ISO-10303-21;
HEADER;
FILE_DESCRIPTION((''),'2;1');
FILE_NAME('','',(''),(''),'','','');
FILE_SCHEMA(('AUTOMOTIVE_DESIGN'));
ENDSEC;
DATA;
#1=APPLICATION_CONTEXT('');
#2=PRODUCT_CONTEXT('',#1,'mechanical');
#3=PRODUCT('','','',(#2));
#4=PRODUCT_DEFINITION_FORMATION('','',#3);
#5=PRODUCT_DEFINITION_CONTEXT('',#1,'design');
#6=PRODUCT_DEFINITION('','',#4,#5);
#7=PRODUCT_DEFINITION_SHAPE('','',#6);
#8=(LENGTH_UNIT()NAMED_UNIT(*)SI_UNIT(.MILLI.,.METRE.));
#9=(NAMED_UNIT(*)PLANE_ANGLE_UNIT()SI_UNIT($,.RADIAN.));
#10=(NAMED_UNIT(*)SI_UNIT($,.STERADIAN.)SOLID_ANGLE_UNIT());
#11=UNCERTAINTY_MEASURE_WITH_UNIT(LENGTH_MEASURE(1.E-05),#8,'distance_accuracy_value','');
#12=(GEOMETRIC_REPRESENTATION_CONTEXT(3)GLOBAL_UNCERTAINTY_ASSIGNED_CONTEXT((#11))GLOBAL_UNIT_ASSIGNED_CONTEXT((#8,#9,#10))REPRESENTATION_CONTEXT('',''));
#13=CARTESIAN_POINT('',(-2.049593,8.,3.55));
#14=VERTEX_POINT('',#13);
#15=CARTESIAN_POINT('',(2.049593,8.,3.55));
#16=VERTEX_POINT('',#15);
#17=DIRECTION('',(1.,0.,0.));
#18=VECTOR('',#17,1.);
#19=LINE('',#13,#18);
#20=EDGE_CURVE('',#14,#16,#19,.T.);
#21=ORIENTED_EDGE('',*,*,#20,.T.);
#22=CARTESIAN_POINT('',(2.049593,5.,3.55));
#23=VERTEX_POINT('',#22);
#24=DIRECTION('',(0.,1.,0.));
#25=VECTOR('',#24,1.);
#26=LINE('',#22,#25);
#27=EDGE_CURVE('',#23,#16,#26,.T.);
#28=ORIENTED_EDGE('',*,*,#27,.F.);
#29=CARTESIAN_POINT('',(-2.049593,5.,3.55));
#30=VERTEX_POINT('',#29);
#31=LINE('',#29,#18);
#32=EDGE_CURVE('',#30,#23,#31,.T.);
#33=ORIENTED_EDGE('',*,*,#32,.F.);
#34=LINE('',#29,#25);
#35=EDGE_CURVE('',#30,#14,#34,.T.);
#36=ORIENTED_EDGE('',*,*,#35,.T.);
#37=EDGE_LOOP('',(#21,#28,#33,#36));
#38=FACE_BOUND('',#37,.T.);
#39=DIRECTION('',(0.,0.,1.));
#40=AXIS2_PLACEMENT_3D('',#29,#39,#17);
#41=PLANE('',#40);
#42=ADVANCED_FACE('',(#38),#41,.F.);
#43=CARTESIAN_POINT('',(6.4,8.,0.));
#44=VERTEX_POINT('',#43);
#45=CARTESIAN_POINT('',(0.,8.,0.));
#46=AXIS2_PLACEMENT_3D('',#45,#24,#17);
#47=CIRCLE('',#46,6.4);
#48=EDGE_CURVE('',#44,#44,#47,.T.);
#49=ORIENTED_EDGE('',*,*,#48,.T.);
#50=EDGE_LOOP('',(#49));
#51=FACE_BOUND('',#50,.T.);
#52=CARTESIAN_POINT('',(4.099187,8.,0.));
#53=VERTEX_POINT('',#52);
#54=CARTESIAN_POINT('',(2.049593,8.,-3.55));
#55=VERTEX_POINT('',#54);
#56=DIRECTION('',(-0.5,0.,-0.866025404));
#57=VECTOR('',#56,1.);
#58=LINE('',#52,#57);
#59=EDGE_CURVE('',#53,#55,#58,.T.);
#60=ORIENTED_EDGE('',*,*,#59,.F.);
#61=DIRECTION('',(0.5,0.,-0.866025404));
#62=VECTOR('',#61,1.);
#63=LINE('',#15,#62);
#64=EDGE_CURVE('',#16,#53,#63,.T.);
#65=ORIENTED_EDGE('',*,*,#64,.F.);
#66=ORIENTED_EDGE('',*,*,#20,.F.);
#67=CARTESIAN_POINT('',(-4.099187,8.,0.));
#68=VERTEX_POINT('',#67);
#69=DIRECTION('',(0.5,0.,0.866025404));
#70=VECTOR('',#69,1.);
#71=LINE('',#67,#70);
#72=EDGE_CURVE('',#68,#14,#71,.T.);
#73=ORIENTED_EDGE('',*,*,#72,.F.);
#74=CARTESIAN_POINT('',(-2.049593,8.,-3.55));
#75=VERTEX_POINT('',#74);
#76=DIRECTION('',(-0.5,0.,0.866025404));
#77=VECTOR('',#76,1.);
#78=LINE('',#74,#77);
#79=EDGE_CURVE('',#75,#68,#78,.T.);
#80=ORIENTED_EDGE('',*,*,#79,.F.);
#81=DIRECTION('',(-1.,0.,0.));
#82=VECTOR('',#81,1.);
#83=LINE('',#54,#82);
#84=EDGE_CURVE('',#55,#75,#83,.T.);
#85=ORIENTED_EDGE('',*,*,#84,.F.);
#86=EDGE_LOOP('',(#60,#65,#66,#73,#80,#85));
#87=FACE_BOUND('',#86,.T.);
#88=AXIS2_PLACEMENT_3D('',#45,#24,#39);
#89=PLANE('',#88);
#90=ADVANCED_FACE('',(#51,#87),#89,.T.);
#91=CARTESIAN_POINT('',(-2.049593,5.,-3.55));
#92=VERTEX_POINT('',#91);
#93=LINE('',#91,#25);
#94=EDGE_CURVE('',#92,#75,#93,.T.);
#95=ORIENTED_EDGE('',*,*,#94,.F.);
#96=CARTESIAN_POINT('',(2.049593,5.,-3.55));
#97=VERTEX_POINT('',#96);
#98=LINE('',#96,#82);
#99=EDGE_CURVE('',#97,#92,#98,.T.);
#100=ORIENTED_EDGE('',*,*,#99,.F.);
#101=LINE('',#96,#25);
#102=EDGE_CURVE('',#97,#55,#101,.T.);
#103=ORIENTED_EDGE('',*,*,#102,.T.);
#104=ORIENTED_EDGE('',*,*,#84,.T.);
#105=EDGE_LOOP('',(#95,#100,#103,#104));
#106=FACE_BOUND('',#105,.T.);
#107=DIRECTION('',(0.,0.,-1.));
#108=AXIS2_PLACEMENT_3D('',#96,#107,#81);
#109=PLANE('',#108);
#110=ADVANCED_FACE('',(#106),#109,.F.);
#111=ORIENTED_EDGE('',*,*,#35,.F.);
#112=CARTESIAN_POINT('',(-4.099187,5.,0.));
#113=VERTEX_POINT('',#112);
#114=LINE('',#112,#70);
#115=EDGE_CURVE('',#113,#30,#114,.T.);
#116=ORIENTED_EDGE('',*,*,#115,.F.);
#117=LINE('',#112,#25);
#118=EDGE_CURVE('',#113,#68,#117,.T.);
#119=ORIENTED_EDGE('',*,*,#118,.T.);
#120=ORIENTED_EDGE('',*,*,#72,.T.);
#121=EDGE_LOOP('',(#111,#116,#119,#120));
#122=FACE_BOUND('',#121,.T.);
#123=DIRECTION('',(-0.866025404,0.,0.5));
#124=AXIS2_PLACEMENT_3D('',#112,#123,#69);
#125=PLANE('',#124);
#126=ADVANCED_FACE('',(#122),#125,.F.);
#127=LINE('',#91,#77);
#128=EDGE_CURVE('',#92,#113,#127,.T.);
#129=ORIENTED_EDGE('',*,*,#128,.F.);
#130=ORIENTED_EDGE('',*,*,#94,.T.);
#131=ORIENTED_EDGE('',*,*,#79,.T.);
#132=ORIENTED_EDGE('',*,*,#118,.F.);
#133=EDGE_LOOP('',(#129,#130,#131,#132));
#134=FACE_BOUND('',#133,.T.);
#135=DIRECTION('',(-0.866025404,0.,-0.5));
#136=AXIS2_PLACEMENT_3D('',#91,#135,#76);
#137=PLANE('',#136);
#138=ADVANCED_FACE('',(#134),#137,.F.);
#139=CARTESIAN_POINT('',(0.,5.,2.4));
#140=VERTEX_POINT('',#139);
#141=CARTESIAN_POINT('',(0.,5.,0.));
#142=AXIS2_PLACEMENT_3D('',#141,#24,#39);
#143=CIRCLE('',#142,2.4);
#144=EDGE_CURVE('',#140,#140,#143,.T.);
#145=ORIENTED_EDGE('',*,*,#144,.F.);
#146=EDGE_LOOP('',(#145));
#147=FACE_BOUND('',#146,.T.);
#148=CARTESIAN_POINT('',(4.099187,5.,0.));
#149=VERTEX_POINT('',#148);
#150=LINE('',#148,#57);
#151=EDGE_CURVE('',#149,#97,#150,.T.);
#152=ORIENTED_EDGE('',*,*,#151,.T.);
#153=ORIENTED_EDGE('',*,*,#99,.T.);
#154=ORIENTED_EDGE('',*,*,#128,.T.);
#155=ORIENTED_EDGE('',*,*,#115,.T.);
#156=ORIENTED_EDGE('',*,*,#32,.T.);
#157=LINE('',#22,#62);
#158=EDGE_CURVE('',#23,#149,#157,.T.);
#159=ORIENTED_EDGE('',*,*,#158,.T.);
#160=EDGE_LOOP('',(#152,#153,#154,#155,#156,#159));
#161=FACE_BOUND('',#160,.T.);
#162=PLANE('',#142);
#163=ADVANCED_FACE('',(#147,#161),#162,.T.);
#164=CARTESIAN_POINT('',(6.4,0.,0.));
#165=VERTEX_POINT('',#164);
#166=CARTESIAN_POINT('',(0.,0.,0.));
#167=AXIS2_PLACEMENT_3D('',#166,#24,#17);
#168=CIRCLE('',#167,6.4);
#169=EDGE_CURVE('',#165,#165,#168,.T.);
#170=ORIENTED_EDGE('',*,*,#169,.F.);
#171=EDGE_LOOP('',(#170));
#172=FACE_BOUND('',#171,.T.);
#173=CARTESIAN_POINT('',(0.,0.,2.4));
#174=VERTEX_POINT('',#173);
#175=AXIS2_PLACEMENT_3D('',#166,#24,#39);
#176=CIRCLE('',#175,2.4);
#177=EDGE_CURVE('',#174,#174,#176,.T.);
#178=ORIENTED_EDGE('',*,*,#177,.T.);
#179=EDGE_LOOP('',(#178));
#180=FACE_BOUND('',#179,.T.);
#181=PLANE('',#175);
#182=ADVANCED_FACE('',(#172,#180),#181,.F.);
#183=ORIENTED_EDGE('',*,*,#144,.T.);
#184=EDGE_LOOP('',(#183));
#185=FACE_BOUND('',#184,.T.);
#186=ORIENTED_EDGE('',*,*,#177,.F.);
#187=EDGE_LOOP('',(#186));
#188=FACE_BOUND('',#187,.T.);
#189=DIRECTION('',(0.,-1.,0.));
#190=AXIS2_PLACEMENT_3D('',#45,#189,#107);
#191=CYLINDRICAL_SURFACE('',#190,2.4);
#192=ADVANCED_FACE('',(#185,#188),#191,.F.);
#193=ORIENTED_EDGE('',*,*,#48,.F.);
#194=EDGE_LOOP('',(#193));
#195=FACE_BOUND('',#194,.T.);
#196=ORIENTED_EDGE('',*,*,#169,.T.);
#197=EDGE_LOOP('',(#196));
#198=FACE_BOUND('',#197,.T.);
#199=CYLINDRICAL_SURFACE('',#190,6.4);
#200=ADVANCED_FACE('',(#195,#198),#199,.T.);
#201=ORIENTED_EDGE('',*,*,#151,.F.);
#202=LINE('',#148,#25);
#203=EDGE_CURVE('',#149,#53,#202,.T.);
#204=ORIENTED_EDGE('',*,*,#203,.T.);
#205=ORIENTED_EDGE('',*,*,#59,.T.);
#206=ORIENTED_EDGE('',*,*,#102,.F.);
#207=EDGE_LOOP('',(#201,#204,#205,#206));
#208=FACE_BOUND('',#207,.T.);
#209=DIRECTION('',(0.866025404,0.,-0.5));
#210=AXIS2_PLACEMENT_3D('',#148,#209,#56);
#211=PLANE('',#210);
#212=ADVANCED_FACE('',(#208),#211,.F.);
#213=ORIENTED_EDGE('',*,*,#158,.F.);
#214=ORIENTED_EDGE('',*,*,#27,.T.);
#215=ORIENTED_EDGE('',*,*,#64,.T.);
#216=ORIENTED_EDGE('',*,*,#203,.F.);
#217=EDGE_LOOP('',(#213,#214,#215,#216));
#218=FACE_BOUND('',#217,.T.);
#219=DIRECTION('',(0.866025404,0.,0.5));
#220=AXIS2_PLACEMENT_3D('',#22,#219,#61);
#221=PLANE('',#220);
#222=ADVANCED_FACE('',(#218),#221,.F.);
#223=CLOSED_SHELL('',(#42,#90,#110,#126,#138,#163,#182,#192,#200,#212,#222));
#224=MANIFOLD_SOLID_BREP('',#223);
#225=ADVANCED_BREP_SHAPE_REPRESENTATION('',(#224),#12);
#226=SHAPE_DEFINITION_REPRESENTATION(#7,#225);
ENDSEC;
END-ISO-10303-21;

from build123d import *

# Parameters (mm, degrees)
SKETCH1_R           = 6.4
SKETCH1_R_2         = 2.4
EXTRUDE_THIN1_DEPTH = 8
CUT_EXTRUDE1_DEPTH  = 3


with BuildPart() as part:
    # Sketch1 → Extrude-Thin1 (new body)
    with BuildSketch(Plane(origin=(0, 0, 0), x_dir=(1, 0, 0), z_dir=(0, 1, 0))):
        Circle(SKETCH1_R)
        Circle(SKETCH1_R_2, mode=Mode.SUBTRACT)
    extrude(amount=EXTRUDE_THIN1_DEPTH)

    # Sketch2 → Cut-Extrude1 (cut)
    with BuildSketch(Plane(origin=(0, 8, 0), x_dir=(1, 0, 0), z_dir=(0, 1, 0))):
        Polygon((4.099186911, 0), (2.049593456, 3.55), (-2.049593456, 3.55), (-4.099186911, 0), (-2.049593456, -3.55), (2.049593456, -3.55), align=None)
    extrude(amount=-CUT_EXTRUDE1_DEPTH, mode=Mode.SUBTRACT)


solid = part.part
